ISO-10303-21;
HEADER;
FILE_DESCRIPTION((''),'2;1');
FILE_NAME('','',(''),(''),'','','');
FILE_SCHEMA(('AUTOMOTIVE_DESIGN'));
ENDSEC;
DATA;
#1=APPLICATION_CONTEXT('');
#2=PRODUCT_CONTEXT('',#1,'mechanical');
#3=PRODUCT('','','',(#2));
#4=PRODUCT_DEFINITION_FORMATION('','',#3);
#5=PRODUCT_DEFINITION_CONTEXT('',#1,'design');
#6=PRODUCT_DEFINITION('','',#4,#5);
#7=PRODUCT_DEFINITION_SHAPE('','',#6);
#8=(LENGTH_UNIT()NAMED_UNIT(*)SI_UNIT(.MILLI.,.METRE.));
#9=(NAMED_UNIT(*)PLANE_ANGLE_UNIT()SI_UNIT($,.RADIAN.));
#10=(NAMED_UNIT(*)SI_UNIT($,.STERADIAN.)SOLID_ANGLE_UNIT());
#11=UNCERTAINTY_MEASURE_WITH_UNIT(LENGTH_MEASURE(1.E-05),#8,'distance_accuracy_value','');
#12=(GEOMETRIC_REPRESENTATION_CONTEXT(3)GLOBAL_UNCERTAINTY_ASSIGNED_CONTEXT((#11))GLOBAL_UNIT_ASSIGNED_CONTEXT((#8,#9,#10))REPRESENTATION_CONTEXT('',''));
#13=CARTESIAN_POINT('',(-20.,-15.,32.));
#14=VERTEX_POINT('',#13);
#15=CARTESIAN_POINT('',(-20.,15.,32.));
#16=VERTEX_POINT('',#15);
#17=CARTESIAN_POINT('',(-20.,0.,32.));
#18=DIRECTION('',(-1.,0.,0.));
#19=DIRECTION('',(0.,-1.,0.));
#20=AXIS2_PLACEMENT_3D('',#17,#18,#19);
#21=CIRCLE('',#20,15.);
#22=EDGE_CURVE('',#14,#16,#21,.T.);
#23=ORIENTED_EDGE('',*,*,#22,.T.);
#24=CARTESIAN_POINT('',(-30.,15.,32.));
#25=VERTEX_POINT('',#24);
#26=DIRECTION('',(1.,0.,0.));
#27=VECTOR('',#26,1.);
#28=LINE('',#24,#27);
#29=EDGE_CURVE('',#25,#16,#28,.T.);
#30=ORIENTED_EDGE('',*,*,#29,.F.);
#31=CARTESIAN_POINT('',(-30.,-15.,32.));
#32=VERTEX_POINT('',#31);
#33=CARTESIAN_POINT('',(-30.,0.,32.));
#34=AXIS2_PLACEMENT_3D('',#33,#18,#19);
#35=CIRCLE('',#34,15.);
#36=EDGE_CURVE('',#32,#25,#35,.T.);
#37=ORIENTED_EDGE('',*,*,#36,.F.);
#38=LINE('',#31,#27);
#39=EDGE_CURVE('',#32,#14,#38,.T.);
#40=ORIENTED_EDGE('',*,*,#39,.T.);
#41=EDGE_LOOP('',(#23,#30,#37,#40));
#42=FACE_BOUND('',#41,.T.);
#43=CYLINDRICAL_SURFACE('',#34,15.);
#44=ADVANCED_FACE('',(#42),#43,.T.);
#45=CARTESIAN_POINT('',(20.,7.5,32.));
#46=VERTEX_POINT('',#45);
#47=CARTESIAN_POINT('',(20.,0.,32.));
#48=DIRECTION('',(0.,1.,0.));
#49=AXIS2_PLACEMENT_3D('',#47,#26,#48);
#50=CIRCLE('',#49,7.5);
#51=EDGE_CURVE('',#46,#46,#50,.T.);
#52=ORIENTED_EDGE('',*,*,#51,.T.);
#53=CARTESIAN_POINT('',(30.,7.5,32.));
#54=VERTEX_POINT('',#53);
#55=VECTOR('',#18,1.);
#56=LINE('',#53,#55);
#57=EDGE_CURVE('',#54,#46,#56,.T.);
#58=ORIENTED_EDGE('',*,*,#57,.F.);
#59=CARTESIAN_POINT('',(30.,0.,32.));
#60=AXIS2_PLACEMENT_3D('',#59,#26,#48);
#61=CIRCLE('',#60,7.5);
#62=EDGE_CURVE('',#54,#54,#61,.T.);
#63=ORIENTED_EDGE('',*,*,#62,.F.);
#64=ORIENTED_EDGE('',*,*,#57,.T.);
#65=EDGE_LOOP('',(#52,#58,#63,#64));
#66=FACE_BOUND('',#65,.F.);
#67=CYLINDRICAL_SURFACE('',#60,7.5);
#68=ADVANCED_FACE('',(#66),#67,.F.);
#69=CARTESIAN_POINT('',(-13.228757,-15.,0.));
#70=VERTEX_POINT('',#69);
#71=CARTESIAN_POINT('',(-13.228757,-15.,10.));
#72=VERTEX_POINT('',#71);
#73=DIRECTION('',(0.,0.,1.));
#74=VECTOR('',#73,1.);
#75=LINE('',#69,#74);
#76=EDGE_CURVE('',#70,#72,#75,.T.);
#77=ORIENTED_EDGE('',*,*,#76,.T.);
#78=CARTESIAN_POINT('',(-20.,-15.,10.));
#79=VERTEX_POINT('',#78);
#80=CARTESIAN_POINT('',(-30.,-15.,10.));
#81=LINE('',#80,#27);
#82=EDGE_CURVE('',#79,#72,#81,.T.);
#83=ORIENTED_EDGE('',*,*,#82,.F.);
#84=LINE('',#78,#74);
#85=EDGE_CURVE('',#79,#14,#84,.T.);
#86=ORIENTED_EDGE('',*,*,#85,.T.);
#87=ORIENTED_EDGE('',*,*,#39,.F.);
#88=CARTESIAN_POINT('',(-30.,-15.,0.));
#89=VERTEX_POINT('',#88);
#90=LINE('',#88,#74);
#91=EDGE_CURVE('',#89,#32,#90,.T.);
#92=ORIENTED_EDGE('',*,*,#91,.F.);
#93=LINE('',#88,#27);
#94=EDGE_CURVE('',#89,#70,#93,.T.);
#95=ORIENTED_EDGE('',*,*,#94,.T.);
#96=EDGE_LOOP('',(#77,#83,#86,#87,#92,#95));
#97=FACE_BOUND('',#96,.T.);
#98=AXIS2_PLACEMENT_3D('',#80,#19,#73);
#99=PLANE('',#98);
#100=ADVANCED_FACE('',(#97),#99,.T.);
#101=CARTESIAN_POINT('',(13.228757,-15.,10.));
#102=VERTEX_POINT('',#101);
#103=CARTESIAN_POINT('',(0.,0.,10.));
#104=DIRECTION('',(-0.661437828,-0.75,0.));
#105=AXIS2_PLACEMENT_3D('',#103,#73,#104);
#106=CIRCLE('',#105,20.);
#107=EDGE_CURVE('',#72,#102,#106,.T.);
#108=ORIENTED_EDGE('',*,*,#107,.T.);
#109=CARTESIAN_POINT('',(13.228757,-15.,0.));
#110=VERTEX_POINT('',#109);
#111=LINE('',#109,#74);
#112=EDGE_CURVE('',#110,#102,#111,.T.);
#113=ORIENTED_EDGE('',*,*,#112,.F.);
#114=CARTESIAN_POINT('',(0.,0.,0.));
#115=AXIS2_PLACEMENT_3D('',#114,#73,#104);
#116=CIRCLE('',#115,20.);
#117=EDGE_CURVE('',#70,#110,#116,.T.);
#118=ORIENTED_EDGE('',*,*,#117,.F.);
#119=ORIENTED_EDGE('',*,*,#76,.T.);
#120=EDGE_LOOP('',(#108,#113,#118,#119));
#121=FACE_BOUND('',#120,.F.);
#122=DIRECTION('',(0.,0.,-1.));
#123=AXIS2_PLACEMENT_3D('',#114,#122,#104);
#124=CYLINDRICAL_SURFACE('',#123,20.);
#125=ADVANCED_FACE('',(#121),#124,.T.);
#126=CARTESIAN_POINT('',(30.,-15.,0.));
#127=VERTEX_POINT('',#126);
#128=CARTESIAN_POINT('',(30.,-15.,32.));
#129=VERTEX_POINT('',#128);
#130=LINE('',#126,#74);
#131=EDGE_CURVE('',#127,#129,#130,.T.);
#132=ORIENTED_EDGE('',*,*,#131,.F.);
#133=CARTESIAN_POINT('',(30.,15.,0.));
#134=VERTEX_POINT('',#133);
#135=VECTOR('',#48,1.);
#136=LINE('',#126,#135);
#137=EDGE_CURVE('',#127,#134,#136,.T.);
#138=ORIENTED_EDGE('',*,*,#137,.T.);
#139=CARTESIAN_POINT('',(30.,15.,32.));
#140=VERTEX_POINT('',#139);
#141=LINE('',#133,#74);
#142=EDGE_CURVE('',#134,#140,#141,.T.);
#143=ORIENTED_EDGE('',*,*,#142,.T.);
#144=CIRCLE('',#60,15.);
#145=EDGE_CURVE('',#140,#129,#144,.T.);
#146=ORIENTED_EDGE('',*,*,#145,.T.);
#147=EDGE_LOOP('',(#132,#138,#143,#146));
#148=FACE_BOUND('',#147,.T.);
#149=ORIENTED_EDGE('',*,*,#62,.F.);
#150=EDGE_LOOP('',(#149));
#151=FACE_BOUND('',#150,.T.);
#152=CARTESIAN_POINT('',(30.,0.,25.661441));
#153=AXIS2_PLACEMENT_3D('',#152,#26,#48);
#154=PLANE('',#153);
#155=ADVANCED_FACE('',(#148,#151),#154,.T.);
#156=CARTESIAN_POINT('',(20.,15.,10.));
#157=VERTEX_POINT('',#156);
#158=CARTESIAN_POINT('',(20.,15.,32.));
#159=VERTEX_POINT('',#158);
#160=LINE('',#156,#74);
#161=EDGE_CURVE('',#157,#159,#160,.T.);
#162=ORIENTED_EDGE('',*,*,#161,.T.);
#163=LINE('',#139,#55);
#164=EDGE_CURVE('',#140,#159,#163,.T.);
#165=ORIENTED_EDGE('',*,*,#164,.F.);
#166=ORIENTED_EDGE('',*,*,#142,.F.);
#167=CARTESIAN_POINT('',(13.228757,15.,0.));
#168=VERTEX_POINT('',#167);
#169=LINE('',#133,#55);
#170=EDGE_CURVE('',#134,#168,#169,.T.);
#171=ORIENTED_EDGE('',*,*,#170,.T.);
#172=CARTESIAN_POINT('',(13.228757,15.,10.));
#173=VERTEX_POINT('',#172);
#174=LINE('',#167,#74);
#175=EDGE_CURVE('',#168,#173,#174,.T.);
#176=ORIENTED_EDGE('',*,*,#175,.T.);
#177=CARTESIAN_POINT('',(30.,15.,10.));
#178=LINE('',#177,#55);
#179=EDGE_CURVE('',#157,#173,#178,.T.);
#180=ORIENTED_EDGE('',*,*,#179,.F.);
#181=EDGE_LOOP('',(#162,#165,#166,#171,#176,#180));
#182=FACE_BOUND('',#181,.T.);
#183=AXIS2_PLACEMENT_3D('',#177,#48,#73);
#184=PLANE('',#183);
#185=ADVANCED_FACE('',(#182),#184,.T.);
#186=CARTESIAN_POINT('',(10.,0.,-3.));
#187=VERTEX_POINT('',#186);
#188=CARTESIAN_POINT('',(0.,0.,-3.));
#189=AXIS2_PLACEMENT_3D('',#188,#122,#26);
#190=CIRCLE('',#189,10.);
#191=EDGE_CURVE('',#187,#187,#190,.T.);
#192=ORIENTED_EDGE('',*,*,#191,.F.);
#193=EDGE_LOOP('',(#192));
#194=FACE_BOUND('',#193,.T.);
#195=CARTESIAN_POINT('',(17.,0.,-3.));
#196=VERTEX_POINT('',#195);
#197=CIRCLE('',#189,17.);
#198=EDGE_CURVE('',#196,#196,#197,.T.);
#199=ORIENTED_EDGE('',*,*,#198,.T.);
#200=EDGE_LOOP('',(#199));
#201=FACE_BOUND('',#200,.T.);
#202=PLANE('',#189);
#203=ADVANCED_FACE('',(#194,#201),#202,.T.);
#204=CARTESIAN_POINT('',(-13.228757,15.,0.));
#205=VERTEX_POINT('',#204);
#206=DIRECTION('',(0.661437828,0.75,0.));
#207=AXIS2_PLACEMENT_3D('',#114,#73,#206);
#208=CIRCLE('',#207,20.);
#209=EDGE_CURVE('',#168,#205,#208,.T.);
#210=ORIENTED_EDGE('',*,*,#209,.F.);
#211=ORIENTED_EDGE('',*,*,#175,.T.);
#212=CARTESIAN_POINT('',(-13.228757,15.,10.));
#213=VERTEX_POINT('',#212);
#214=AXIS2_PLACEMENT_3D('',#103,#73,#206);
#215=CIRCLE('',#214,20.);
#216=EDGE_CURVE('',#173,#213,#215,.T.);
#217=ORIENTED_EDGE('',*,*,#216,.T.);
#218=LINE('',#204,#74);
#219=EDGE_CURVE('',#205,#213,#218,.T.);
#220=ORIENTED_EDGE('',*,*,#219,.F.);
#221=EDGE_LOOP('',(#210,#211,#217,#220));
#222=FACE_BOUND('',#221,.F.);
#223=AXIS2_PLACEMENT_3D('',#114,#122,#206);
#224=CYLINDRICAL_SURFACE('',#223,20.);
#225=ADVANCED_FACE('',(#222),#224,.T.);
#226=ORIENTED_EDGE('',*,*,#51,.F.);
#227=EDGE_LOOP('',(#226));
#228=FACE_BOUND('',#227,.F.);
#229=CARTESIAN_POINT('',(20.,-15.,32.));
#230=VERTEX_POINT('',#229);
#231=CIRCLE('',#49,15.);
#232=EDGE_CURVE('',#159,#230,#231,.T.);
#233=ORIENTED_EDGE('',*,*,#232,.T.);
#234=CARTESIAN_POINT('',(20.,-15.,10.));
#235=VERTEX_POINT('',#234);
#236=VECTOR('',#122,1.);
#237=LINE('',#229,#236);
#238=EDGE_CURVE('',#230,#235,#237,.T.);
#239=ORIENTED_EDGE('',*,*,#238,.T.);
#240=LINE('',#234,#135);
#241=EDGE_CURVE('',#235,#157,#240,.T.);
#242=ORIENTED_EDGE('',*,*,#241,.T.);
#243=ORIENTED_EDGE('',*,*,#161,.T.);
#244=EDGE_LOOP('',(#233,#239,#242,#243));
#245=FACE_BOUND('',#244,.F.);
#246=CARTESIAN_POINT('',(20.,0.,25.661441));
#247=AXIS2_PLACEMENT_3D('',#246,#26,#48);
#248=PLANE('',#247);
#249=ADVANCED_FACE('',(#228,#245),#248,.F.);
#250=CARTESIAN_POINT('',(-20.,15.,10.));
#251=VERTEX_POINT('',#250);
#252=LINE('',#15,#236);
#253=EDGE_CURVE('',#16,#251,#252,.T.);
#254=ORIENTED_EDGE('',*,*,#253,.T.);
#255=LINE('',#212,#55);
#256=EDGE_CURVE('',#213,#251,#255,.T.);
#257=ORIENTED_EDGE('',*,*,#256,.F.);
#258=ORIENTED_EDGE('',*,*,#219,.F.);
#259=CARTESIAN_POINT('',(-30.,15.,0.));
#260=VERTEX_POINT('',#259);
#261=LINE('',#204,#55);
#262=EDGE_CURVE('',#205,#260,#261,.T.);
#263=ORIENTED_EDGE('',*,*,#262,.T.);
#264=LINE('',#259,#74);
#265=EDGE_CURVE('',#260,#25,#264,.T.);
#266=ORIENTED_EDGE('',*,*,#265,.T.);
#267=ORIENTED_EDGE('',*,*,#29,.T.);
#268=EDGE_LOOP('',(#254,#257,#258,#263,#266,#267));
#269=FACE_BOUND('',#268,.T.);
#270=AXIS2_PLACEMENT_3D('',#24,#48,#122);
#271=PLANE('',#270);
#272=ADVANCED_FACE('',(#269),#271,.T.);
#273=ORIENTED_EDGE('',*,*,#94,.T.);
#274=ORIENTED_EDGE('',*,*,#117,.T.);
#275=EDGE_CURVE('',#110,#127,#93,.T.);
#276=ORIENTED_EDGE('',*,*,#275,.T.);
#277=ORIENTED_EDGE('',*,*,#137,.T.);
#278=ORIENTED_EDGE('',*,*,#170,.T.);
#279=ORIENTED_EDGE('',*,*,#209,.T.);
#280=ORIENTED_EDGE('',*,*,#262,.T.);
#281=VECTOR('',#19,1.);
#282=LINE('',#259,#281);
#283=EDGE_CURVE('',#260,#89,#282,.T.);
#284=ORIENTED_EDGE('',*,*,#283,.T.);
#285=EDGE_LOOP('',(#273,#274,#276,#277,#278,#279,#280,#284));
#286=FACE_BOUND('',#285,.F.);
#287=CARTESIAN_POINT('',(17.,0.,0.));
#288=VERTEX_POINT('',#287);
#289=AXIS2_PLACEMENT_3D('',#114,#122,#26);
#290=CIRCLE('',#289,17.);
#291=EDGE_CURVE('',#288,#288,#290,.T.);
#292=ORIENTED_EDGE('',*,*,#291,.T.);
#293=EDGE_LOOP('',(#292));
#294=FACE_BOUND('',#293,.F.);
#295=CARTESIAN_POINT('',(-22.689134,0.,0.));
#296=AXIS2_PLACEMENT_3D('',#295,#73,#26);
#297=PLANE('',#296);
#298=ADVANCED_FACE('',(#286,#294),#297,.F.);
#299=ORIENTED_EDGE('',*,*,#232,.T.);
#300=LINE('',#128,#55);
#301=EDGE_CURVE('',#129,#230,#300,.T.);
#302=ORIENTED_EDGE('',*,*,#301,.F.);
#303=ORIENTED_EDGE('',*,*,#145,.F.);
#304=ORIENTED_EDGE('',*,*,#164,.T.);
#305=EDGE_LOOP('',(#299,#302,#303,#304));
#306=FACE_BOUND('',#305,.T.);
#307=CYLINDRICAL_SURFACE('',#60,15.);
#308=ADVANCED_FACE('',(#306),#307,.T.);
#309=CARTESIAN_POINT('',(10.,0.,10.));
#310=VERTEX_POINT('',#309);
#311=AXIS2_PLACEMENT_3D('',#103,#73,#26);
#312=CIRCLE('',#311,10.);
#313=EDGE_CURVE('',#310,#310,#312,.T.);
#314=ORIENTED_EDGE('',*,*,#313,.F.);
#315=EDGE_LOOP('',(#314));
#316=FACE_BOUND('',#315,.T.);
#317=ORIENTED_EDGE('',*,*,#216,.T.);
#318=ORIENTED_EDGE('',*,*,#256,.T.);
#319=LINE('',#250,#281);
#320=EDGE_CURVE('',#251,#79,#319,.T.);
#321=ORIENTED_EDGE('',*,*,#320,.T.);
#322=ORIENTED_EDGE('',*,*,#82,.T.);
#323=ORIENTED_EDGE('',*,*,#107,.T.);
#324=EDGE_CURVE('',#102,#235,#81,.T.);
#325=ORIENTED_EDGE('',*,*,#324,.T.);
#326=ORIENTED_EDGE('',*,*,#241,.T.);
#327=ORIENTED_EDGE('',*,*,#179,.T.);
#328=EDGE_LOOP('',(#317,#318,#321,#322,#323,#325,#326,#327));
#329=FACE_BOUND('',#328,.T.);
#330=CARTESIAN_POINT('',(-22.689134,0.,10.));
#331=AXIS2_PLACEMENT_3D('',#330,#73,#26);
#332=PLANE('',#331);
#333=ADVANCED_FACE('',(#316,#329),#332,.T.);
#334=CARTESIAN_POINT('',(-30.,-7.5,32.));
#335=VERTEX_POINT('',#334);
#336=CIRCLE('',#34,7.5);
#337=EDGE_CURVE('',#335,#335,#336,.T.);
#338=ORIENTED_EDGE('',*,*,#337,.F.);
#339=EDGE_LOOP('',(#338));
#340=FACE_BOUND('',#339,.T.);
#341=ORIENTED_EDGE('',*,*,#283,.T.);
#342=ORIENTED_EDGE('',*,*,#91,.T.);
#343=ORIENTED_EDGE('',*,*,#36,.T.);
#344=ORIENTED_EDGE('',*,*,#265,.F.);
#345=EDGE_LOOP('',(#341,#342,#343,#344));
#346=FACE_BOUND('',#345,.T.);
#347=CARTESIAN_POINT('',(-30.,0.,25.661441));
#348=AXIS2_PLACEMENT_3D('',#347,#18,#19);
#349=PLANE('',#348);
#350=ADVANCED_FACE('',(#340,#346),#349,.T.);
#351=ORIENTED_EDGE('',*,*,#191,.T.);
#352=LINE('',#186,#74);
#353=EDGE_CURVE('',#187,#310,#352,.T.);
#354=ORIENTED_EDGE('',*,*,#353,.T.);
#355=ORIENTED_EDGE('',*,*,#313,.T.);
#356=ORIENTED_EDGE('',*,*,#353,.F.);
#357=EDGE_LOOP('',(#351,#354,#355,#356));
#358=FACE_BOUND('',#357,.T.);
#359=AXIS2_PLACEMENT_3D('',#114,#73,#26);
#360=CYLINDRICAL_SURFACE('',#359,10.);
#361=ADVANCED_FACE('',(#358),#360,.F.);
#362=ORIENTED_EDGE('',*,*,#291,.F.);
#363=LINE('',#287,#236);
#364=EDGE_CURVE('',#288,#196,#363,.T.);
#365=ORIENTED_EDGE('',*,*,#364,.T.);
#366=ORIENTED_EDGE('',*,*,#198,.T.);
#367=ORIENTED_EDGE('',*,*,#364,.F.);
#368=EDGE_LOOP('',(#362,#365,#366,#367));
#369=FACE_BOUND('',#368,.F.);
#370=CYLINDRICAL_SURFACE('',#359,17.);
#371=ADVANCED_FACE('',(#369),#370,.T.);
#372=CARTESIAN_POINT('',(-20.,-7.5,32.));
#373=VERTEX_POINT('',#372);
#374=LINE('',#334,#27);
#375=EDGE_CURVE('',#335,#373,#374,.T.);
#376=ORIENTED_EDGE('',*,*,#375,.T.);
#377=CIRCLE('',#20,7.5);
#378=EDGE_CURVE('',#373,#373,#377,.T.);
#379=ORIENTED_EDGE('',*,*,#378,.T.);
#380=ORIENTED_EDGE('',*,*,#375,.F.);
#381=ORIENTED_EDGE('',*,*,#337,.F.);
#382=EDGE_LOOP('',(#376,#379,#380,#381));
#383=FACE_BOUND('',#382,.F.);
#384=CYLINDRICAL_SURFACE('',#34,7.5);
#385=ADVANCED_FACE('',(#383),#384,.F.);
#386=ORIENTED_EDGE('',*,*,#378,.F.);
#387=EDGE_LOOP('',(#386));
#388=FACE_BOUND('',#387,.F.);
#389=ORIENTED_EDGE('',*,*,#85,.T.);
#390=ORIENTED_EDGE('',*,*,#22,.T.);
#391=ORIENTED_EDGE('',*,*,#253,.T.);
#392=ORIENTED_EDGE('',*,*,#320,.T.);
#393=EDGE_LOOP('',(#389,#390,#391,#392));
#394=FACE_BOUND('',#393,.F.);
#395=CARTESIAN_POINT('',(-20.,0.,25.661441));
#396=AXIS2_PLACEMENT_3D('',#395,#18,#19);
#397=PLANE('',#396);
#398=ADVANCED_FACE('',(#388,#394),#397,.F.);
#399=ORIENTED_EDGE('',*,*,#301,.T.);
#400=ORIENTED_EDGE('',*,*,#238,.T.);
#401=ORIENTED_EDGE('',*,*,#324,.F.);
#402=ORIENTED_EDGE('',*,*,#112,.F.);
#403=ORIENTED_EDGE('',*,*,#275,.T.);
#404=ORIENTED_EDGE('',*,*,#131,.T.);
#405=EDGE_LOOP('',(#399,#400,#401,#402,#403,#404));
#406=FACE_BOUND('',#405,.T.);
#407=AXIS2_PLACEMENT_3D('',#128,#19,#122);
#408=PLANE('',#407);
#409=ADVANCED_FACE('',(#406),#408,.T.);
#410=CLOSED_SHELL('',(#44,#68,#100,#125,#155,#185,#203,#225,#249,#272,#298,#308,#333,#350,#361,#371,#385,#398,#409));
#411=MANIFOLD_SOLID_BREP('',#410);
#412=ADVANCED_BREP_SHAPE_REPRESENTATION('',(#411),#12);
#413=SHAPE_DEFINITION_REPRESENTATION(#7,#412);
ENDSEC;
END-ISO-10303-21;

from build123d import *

# Parameters (mm, degrees)
F0_R     = 10
F1_DEPTH = 10
F2_R     = 17
F2_R_2   = 10
F3_DEPTH = 3
F4_R     = 7.5
F5_DEPTH = 10
F6_R     = 7.5
F7_DEPTH = 10


with BuildPart() as f1:
    # F0 (on Top) → F1 (new body)
    with BuildSketch(Plane.XY):
        with BuildLine():
            ThreePointArc((-13.2287565553, -15), (-20, 0), (-13.2287565553, 15))
            Line((-13.2287565553, 15), (-30, 15))
            Line((-30, 15), (-30, -15))
            Line((-30, -15), (-13.2287565553, -15))
        make_face()
        with BuildLine():
            Line((-13.2287565553, 15), (13.2287565553, 15))
            ThreePointArc((13.2287565553, 15), (0, 20), (-13.2287565553, 15))
        make_face()
        with BuildLine():
            ThreePointArc((20, 0), (18.2287565553, 8.2287565553), (13.2287565553, 15))
            Line((13.2287565553, 15), (-13.2287565553, 15))
            ThreePointArc((-13.2287565553, 15), (-20, 0), (-13.2287565553, -15))
            Line((-13.2287565553, -15), (13.2287565553, -15))
            ThreePointArc((13.2287565553, -15), (18.2287565553, -8.2287565553), (20, 0))
        make_face()
        Circle(F0_R, mode=Mode.SUBTRACT)
        with BuildLine():
            Line((30, -15), (30, 15))
            Line((30, 15), (13.2287565553, 15))
            ThreePointArc((13.2287565553, 15), (18.2287565553, 8.2287565553), (20, 0))
            ThreePointArc((20, 0), (18.2287565553, -8.2287565553), (13.2287565553, -15))
            Line((13.2287565553, -15), (30, -15))
        make_face()
        with BuildLine():
            ThreePointArc((-13.2287565553, -15), (0, -20), (13.2287565553, -15))
            Line((13.2287565553, -15), (-13.2287565553, -15))
        make_face()
    extrude(amount=F1_DEPTH)

    # F2 (on face) → F3 (join)
    with BuildSketch(Plane(origin=(0, 0, 0), x_dir=(1, 0, 0), z_dir=(0, 0, -1))):
        Circle(F2_R)
        Circle(F2_R_2, mode=Mode.SUBTRACT)
    extrude(amount=F3_DEPTH)

    # F4 (on face) → F5 (join)
    with BuildSketch(Plane.YZ.offset(30)):
        with BuildLine():
            Line((-15, 32), (-15, 10))
            Line((-15, 10), (15, 10))
            Line((15, 10), (15, 32))
            ThreePointArc((15, 32), (0, 47), (-15, 32))
        make_face()
        with Locations((0, 32)):
            Circle(F4_R, mode=Mode.SUBTRACT)
    extrude(amount=-F5_DEPTH)

    # F6 (on face) → F7 (join)
    with BuildSketch(Plane(origin=(-30, 0, 0), x_dir=(0, -1, 0), z_dir=(-1, 0, 0))):
        with BuildLine():
            Line((-15, 10), (15, 10))
            Line((15, 10), (15, 32))
            ThreePointArc((15, 32), (0, 47), (-15, 32))
            Line((-15, 32), (-15, 10))
        make_face()
        with Locations((0, 32)):
            Circle(F6_R, mode=Mode.SUBTRACT)
    extrude(amount=-F7_DEPTH)


solid = f1.part
